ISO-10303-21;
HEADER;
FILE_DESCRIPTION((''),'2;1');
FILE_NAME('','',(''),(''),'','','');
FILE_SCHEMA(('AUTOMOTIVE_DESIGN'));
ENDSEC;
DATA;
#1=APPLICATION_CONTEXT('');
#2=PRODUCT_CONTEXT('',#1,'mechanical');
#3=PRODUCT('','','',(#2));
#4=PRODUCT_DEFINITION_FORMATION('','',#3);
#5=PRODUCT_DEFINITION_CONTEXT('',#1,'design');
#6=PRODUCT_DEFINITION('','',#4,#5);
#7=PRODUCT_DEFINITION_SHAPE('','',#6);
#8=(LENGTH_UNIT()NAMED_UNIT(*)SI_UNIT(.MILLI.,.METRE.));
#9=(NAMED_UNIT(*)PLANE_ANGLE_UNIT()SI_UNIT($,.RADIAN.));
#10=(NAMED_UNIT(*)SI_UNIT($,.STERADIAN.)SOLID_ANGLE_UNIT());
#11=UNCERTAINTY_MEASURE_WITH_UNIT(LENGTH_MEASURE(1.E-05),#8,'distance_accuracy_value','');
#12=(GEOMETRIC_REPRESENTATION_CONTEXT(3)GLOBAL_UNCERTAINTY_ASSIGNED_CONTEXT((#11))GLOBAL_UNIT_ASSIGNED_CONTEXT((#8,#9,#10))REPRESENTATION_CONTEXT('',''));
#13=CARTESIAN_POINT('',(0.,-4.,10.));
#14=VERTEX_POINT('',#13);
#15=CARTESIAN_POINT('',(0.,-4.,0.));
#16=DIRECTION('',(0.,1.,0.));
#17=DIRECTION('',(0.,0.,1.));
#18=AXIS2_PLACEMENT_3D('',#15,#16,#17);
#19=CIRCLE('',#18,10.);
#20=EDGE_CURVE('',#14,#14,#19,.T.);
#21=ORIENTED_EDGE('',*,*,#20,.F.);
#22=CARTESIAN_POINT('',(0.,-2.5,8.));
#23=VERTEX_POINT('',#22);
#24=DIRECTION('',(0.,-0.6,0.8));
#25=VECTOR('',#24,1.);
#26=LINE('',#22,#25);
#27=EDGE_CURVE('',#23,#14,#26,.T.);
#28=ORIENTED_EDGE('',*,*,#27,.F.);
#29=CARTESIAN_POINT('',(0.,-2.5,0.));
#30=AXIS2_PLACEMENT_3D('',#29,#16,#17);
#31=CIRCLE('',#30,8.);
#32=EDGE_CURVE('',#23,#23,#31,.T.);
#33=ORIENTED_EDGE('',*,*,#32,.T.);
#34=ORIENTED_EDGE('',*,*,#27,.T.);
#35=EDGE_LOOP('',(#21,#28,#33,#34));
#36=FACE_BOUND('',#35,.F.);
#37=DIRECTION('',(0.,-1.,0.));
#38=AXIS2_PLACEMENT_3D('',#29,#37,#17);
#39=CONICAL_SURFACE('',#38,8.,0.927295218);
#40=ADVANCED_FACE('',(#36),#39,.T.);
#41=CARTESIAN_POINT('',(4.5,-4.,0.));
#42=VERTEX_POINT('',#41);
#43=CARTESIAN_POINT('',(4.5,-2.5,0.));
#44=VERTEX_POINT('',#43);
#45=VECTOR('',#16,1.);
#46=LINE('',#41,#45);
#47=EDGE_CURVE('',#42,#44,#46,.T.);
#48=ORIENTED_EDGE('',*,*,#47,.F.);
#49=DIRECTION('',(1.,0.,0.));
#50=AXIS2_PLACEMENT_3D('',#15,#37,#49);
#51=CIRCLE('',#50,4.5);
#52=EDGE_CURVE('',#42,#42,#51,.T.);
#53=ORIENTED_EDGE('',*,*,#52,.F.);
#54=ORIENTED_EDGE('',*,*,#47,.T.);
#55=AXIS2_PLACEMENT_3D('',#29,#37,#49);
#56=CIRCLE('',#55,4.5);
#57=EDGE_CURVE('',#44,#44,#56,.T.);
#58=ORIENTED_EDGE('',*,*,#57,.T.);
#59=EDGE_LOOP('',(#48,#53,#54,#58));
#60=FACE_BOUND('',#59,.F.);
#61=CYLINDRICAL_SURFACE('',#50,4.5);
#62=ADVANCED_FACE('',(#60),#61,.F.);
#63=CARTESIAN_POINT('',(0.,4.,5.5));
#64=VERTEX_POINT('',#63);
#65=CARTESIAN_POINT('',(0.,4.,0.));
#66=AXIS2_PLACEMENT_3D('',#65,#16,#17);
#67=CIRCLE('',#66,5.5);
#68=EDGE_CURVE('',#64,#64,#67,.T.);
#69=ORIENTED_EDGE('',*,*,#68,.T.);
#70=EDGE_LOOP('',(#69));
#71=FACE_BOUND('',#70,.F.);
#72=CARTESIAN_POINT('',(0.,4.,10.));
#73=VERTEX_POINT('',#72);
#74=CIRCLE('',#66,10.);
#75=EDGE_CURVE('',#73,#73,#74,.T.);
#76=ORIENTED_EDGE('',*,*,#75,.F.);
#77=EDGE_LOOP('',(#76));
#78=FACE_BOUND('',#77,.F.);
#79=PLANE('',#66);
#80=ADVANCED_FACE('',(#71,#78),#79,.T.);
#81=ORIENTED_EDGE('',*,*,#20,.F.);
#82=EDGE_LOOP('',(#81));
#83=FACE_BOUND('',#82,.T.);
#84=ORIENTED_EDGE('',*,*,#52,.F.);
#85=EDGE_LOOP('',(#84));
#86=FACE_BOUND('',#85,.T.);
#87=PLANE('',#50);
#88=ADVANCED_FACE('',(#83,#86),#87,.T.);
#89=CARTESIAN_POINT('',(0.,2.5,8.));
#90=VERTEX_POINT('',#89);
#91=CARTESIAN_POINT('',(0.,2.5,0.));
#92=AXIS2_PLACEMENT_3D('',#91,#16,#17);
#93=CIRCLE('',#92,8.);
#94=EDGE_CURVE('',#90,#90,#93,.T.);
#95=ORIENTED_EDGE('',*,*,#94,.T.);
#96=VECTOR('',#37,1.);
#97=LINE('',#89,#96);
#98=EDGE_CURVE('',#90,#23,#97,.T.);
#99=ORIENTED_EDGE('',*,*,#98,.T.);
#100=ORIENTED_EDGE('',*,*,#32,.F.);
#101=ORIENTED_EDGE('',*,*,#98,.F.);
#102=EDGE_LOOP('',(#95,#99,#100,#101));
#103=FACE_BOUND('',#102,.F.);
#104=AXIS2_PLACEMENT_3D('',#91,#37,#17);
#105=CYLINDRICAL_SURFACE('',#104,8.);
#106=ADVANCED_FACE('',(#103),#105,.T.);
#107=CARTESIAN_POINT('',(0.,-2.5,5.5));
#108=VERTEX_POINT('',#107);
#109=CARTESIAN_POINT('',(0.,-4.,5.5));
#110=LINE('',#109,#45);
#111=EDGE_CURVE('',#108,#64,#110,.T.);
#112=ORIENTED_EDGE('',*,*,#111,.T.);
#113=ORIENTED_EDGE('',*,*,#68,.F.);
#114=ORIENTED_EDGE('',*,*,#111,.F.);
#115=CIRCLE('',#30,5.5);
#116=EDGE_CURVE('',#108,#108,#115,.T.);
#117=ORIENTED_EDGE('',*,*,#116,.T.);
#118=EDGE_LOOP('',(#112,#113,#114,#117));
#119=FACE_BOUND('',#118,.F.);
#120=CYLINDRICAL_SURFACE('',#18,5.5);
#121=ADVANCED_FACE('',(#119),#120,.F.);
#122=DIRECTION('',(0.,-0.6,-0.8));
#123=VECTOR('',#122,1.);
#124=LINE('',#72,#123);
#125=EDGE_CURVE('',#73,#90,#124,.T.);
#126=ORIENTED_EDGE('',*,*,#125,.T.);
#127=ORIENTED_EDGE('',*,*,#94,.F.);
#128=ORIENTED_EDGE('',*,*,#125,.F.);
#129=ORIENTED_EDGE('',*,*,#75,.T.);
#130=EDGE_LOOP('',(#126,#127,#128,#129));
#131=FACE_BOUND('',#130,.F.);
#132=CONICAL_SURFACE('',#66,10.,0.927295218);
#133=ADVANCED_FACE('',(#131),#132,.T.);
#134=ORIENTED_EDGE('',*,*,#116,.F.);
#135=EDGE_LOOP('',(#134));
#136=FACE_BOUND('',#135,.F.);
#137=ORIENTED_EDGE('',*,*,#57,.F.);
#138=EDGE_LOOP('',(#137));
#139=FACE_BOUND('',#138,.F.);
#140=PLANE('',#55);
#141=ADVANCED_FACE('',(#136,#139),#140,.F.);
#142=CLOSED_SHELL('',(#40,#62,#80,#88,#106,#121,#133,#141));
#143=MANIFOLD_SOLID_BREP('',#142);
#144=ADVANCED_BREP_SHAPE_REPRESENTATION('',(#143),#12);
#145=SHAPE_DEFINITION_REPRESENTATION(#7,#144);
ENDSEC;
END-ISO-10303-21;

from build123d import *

# Parameters (mm, degrees)
F2_R     = 5.5
F2_R_2   = 4.5
F3_DEPTH = 1.5


with BuildPart() as f1:
    # F0 (on Right) → F1 (revolve)
    with BuildSketch(Plane.YZ):
        Polygon((2.5, 8), (-2.5, 8), (-4, 10), (-4, 5.5), (4, 5.5), (4, 10), align=None)
    revolve(axis=Axis((0, 19.221617, 0), (0, 1, 0)))

    # F2 (on face) → F3 (join)
    with BuildSketch(Plane.XZ.offset(4)):
        Circle(F2_R)
        Circle(F2_R_2, mode=Mode.SUBTRACT)
    extrude(amount=-F3_DEPTH)


solid = f1.part
